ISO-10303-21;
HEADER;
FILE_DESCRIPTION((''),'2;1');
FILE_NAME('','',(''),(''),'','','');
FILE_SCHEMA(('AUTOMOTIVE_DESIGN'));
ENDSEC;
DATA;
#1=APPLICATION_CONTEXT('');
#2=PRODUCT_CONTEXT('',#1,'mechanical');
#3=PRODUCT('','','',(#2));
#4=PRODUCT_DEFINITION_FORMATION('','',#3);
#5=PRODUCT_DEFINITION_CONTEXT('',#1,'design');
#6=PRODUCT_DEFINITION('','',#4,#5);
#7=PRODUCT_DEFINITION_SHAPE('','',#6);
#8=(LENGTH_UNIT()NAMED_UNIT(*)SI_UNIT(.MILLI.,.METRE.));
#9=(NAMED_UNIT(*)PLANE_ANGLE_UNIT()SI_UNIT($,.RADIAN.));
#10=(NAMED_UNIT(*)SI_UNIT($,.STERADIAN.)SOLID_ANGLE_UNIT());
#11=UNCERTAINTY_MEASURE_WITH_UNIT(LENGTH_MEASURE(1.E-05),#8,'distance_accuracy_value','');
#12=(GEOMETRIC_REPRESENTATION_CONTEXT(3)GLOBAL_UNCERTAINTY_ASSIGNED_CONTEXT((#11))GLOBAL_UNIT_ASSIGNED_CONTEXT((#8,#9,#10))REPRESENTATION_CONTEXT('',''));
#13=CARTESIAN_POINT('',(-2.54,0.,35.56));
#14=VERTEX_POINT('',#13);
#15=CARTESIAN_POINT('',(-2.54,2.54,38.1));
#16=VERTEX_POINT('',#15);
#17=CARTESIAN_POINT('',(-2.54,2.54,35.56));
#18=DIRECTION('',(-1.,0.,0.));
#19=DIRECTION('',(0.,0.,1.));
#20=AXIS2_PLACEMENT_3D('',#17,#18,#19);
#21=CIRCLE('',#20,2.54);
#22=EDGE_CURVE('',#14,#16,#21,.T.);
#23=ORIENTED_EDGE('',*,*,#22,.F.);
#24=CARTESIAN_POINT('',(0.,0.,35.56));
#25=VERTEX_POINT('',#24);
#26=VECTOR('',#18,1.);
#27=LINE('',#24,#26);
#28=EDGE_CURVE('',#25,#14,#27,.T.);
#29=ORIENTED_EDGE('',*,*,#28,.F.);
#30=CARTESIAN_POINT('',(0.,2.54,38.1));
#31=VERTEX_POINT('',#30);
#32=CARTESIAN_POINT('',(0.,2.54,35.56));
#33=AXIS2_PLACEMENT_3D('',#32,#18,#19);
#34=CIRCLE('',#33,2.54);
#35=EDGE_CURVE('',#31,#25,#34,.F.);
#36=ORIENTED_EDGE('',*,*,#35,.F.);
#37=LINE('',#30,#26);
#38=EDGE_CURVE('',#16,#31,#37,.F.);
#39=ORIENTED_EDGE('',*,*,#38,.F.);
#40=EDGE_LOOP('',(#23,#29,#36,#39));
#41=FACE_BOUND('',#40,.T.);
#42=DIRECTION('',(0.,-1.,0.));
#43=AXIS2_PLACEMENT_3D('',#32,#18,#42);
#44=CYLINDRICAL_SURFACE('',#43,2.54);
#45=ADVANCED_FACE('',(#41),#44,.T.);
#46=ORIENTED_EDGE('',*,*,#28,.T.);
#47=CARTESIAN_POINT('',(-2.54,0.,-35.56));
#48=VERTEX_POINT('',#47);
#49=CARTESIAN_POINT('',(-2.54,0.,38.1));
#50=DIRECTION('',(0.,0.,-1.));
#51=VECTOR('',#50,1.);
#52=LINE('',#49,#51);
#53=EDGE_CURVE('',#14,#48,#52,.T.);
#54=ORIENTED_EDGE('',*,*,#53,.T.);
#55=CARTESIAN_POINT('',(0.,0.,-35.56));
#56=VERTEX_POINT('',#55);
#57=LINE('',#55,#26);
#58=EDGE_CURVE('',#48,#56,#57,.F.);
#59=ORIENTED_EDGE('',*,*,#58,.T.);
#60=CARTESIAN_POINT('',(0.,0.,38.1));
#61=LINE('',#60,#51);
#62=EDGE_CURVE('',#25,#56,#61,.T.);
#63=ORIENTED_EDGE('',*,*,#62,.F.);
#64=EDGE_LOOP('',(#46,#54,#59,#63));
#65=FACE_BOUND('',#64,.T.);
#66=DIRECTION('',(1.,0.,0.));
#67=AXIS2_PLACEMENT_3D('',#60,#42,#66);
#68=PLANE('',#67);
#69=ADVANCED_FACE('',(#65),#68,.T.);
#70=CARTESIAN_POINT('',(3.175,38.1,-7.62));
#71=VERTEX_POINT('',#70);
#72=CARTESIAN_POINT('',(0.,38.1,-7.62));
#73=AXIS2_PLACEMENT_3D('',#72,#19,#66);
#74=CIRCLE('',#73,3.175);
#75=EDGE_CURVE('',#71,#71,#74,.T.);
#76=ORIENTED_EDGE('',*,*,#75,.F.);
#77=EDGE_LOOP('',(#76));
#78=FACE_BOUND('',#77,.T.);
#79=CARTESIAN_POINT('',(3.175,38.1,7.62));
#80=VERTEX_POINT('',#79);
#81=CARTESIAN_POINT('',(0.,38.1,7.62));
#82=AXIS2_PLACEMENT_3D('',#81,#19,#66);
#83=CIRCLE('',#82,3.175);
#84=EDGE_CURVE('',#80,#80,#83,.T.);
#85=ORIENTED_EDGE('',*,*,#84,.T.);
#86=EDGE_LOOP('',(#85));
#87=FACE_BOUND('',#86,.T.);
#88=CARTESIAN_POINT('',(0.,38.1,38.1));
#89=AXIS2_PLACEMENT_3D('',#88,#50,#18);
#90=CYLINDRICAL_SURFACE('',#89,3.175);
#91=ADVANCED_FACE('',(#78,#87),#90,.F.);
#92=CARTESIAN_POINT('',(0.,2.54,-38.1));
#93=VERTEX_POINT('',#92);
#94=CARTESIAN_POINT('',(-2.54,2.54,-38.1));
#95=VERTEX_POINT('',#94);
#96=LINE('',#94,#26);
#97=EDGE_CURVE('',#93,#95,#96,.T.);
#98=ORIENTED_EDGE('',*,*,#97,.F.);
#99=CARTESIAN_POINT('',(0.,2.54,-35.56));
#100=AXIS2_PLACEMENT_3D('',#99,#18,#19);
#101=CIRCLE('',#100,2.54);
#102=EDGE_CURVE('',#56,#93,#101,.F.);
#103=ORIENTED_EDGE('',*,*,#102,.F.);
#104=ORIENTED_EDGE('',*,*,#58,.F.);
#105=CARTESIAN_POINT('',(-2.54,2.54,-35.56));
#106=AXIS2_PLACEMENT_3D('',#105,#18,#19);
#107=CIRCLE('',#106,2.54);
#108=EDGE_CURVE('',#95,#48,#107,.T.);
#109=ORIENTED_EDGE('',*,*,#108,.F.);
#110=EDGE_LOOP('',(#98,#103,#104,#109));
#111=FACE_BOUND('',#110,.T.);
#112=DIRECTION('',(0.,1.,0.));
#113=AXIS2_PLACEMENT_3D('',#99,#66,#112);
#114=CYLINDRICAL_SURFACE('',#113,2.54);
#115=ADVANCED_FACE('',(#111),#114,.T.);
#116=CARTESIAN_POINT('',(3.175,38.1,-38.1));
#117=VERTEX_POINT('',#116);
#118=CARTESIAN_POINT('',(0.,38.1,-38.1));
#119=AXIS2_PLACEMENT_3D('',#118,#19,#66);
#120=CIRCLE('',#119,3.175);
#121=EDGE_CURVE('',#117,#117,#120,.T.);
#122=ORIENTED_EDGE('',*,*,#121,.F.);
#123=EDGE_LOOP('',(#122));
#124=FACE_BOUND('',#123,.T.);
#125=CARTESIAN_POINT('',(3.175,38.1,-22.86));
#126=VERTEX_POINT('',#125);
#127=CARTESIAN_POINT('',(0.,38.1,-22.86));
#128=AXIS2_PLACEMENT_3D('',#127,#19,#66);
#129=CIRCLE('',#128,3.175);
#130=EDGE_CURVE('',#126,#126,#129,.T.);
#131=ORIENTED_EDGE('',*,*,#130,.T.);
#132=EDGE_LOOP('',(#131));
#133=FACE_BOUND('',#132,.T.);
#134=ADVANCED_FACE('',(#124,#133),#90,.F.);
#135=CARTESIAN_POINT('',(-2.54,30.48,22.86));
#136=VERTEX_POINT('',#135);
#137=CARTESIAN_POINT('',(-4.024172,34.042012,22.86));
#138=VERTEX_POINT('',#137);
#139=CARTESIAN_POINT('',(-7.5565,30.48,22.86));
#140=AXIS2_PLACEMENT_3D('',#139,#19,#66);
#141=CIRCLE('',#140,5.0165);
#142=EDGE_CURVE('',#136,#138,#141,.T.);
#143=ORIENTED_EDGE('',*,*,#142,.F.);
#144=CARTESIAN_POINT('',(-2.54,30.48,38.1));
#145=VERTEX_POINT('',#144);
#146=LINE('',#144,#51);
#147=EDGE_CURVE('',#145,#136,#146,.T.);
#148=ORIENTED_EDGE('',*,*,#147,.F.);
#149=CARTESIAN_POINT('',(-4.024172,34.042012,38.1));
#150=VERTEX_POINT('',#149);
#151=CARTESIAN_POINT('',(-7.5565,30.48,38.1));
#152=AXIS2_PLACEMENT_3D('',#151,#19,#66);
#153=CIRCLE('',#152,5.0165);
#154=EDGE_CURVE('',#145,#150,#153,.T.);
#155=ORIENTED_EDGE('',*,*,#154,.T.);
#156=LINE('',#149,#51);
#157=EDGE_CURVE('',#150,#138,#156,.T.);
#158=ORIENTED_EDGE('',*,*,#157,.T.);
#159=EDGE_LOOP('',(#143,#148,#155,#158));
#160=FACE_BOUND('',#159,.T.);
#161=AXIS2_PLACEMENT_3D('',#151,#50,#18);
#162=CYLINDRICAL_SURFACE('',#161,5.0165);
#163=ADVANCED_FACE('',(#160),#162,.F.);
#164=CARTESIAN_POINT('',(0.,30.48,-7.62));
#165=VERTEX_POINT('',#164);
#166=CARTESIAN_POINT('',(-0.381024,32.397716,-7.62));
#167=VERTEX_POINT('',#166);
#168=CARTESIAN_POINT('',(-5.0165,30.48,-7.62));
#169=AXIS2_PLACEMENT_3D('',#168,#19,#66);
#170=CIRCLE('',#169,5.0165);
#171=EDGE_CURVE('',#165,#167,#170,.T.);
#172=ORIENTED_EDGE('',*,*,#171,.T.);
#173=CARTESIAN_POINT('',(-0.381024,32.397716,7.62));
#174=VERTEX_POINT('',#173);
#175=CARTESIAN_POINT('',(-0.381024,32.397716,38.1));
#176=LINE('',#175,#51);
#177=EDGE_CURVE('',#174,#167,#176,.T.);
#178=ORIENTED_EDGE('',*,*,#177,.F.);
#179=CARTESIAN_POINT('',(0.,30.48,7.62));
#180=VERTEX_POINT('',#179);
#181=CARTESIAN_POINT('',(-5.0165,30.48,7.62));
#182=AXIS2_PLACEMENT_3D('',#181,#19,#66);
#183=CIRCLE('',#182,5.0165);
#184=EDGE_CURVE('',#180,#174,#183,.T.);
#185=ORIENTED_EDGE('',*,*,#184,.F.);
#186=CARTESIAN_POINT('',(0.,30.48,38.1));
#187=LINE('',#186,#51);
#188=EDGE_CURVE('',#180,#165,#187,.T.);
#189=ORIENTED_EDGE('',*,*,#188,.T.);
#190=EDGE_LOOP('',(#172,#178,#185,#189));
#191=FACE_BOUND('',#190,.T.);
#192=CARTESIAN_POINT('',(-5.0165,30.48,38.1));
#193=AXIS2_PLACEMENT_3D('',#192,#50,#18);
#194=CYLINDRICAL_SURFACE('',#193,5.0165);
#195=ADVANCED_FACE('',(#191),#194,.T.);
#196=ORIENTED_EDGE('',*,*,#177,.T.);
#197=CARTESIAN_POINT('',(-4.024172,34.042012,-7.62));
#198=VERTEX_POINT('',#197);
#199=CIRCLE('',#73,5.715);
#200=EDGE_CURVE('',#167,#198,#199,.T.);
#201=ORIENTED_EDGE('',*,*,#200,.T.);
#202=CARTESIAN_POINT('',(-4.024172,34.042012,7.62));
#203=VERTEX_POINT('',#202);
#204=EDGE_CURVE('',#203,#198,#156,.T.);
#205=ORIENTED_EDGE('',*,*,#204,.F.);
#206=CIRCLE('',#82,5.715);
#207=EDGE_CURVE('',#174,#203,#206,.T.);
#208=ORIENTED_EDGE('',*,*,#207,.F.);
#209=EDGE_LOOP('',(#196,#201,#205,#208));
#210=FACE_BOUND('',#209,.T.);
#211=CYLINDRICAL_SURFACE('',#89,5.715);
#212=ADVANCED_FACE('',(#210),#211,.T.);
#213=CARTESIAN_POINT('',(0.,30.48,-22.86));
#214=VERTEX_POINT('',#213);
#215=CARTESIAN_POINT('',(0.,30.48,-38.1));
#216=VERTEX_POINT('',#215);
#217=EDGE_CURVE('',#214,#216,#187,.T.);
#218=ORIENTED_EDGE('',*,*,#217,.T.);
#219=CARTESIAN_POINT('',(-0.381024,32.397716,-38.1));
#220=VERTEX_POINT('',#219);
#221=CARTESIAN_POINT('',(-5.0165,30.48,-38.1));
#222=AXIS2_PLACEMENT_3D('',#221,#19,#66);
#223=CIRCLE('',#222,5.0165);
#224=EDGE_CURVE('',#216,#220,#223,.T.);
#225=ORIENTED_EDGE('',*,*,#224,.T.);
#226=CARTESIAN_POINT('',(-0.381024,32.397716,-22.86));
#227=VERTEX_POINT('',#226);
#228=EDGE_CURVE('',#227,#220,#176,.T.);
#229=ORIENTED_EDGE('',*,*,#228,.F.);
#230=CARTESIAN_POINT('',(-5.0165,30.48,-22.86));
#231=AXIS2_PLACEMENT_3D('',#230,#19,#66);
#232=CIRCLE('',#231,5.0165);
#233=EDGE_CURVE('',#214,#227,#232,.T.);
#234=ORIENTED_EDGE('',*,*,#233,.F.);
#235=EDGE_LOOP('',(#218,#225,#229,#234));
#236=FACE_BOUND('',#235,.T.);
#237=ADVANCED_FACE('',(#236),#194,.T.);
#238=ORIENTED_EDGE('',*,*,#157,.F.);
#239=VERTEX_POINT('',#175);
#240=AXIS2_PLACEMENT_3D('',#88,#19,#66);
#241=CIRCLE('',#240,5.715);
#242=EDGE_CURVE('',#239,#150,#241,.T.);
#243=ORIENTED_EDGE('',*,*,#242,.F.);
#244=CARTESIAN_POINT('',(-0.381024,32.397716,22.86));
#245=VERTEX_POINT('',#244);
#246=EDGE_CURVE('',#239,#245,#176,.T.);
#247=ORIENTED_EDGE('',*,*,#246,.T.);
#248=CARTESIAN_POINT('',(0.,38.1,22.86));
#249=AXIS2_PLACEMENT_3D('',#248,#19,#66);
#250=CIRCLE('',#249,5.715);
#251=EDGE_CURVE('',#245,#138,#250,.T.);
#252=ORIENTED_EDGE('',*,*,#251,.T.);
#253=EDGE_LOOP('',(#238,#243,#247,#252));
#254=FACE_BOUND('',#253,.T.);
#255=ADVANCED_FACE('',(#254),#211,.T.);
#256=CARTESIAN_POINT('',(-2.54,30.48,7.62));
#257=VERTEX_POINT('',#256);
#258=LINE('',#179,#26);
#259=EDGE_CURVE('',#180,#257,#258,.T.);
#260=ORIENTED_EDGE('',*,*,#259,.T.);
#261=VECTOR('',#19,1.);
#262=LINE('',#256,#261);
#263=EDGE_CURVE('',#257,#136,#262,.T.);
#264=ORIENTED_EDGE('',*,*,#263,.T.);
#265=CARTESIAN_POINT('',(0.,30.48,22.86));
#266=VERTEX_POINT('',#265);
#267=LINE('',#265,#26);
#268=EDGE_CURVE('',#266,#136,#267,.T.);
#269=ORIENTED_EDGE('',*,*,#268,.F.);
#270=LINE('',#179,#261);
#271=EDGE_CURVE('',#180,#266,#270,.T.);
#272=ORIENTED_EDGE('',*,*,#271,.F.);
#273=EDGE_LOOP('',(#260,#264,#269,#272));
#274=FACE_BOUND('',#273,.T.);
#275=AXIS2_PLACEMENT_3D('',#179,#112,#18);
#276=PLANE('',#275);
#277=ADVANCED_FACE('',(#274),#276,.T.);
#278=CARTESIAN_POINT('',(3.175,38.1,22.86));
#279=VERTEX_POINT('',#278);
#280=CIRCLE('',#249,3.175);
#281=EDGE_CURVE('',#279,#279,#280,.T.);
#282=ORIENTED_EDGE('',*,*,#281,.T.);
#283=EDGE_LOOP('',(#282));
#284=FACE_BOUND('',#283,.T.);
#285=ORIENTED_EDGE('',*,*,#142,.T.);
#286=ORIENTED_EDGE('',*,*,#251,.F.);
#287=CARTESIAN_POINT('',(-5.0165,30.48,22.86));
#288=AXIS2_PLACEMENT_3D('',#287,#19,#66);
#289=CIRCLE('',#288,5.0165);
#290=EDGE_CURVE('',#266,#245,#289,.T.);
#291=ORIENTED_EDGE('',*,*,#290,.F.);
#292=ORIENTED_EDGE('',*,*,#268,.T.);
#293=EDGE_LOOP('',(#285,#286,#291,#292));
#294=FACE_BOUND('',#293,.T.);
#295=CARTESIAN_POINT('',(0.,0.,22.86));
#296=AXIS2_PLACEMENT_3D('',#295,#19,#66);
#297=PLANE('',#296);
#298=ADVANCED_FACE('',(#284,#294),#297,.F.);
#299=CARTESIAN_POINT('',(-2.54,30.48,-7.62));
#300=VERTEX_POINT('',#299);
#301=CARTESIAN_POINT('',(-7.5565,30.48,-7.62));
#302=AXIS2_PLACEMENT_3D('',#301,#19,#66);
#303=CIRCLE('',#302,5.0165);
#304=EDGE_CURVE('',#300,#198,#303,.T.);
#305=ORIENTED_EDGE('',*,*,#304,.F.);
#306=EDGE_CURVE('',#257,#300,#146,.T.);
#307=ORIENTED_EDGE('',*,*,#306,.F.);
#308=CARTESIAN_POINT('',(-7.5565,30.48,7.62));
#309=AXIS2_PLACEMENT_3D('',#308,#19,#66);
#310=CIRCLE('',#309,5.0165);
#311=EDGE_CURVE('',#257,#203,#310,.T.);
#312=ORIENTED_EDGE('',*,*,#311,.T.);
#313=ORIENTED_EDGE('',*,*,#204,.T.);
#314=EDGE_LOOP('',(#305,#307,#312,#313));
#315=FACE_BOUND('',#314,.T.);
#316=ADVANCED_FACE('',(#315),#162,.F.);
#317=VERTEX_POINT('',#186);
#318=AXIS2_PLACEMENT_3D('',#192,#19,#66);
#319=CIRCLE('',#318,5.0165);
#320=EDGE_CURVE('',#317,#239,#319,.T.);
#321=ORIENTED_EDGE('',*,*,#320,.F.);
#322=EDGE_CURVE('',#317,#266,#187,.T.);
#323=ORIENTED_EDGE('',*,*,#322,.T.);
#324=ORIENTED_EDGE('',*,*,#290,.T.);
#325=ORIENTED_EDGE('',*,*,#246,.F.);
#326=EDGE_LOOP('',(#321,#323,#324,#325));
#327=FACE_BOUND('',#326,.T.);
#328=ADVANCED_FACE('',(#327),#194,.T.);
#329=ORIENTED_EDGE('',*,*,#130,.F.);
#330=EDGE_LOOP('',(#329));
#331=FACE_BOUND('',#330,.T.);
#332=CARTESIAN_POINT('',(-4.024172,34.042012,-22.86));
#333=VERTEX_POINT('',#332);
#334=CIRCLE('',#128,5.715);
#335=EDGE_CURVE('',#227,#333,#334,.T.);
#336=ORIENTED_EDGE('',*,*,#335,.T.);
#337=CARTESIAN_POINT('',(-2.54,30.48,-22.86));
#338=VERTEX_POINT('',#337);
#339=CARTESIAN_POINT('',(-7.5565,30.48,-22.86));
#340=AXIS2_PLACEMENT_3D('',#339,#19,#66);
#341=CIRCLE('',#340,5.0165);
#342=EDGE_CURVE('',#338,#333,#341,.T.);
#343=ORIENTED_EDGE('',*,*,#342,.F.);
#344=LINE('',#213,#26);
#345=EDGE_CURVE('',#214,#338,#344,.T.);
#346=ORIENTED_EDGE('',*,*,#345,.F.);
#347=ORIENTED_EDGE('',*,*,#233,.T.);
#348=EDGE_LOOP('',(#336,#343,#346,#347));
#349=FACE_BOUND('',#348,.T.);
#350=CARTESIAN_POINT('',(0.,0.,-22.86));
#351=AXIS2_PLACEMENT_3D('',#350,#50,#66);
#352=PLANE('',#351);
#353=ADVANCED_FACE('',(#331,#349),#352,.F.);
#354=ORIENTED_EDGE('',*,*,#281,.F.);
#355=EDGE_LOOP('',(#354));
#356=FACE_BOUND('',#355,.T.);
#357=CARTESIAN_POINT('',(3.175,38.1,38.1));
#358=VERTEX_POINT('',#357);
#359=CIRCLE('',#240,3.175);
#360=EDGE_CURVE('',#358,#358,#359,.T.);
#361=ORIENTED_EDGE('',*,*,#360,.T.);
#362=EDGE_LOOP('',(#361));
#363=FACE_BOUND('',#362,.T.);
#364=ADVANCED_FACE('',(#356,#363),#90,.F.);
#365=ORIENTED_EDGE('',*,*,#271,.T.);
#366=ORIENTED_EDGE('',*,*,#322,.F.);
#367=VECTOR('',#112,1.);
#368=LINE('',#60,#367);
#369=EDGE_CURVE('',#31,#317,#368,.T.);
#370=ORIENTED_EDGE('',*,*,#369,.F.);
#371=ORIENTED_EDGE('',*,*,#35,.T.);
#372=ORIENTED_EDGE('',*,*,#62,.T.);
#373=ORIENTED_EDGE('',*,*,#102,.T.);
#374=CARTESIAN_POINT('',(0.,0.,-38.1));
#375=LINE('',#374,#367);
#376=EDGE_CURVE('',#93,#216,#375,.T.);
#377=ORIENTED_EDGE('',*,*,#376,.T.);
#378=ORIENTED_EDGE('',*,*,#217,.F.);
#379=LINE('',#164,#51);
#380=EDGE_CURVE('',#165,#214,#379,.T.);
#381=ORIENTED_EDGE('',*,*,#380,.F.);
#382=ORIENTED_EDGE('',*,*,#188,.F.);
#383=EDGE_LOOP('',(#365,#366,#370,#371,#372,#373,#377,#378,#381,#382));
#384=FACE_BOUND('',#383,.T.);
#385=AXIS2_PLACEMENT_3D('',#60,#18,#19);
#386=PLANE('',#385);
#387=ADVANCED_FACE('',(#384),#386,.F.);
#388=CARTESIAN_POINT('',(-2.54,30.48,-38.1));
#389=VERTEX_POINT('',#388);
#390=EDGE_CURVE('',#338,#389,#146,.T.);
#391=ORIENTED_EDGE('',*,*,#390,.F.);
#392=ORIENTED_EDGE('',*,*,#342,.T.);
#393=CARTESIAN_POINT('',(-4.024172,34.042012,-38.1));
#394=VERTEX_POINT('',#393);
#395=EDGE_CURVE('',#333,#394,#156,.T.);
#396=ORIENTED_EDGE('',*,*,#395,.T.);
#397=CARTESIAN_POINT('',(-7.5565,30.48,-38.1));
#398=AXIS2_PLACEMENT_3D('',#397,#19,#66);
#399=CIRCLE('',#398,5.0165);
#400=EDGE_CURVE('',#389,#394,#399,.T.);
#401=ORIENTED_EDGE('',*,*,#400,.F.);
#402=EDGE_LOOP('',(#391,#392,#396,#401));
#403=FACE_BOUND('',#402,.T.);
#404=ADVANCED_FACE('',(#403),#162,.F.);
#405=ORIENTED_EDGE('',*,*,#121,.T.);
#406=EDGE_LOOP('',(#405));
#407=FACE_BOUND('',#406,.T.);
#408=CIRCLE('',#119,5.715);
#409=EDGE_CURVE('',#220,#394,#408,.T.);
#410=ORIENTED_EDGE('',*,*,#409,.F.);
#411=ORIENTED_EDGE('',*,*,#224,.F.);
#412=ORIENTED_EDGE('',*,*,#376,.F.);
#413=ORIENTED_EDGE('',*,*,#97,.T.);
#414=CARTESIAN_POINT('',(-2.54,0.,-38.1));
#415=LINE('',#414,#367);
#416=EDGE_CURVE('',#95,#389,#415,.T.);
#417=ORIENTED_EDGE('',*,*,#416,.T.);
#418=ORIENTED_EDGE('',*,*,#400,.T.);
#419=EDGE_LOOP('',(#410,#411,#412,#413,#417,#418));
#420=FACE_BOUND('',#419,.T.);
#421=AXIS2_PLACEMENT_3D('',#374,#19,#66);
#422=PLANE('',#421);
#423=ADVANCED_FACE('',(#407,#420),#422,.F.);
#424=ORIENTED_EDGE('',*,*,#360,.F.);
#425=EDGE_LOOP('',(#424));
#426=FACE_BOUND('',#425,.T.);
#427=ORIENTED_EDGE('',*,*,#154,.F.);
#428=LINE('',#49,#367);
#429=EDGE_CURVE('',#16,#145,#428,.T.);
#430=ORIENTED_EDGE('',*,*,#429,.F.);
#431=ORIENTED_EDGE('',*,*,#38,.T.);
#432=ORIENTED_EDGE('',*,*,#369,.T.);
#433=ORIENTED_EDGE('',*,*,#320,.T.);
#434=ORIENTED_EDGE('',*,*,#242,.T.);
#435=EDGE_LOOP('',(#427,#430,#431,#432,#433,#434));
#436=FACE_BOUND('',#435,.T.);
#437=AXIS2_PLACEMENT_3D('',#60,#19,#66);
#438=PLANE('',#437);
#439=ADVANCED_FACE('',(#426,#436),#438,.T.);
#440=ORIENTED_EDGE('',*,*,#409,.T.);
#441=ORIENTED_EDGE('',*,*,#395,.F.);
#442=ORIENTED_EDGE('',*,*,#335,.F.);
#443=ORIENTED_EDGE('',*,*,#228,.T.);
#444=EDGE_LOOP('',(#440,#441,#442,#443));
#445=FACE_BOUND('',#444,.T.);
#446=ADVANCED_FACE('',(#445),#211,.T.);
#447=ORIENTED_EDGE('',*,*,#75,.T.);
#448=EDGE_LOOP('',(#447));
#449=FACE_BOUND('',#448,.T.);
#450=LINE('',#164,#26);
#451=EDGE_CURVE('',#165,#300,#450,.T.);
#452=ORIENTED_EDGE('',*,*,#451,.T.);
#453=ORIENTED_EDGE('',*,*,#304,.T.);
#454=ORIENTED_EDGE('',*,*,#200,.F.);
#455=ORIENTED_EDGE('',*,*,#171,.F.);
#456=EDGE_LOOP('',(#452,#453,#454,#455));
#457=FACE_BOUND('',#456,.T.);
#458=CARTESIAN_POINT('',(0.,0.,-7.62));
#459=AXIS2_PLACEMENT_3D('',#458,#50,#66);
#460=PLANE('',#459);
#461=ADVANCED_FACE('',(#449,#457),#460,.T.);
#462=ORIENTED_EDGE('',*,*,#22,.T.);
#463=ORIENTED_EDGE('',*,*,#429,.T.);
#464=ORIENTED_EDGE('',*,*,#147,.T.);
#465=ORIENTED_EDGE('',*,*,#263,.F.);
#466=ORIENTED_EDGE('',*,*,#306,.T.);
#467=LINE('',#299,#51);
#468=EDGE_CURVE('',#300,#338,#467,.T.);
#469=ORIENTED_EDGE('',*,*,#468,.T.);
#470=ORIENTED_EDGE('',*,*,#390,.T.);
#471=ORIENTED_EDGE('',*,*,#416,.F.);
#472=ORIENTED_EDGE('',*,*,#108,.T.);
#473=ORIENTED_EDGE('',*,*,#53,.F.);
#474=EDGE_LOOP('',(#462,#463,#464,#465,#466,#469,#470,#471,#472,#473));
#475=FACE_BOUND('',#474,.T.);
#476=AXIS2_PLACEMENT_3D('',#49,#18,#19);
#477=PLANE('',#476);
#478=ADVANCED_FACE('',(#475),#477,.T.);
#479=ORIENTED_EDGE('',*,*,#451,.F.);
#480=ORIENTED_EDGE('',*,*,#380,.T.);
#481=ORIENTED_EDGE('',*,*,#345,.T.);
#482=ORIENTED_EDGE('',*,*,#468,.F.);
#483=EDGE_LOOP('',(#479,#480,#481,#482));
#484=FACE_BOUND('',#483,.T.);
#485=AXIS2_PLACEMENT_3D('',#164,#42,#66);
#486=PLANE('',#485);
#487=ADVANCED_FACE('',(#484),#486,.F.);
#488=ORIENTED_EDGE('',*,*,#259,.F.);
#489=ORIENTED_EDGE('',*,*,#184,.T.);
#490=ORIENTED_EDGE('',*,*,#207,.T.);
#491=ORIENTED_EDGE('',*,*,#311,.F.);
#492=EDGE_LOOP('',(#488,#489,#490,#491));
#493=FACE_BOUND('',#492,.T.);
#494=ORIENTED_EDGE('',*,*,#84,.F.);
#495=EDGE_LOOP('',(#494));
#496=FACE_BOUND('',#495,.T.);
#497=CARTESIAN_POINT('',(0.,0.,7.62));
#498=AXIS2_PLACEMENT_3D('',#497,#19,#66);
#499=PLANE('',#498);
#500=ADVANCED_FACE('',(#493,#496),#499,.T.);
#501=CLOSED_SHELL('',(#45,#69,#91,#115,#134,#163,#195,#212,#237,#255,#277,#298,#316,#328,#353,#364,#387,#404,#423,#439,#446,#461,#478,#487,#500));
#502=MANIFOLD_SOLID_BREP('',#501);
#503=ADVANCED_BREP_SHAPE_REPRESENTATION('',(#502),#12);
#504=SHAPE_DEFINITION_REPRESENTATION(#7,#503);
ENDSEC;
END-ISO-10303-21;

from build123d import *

# Parameters (mm, degrees)
SKETCH1_R           = 5.715
SKETCH1_R_2         = 3.175
BOSS_EXTRUDE1_DEPTH = 38.1
SKETCH2_R           = 3.175
CUT_EXTRUDE1_DEPTH  = 7.62
FILLET1_R           = 2.54


with BuildPart() as part:
    # Sketch1 → Boss-Extrude1 (new body, symmetric)
    with BuildSketch(Plane.XY):
        with BuildLine():
            Line((-2.54, 0), (0, 0))
            Line((0, 0), (0, 30.48))
            ThreePointArc((0, 30.48), (-0.096177955, 31.457600747), (-0.381023909, 32.39771574))
            ThreePointArc((-0.381023909, 32.39771574), (-2.351034724, 32.890982749), (-4.024171598, 34.042011834))
            ThreePointArc((-4.024171598, 34.042011834), (-2.925884615, 32.409423077), (-2.54, 30.48))
            Line((-2.54, 30.48), (-2.54, 0))
        make_face()
        with Locations((0, 38.1)):
            Circle(SKETCH1_R)
        with Locations((0, 38.1)):
            Circle(SKETCH1_R_2, mode=Mode.SUBTRACT)
    extrude(amount=BOSS_EXTRUDE1_DEPTH, both=True)

    # Sketch2 → Cut-Extrude1 (cut, symmetric)
    with BuildSketch(Plane.XY.offset(15.24)):
        with BuildLine():
            ThreePointArc((0, 30.48), (-0.096177955, 31.457600747), (-0.381023909, 32.39771574))
            ThreePointArc((-0.381023909, 32.39771574), (2.351034724, 43.309017251), (-4.024171598, 34.042011834))
            ThreePointArc((-4.024171598, 34.042011834), (-2.925884615, 32.409423077), (-2.54, 30.48))
            Line((-2.54, 30.48), (0, 30.48))
        make_face()
        with Locations((0, 38.1)):
            Circle(SKETCH2_R, mode=Mode.SUBTRACT)
    cut_extrude1 = extrude(amount=CUT_EXTRUDE1_DEPTH, both=True, mode=Mode.SUBTRACT)

    # Mirror1: Cut-Extrude1 across plane
    add(cut_extrude1.mirror(Plane.XY), mode=Mode.SUBTRACT)

    # Fillet1
    fillet1_edges = [part.edges().sort_by_distance(p)[0] for p in [
        (-1.27, 0, 38.1),
        (-1.27, 0, -38.1),
    ]]
    fillet(fillet1_edges, radius=FILLET1_R)


solid = part.part
